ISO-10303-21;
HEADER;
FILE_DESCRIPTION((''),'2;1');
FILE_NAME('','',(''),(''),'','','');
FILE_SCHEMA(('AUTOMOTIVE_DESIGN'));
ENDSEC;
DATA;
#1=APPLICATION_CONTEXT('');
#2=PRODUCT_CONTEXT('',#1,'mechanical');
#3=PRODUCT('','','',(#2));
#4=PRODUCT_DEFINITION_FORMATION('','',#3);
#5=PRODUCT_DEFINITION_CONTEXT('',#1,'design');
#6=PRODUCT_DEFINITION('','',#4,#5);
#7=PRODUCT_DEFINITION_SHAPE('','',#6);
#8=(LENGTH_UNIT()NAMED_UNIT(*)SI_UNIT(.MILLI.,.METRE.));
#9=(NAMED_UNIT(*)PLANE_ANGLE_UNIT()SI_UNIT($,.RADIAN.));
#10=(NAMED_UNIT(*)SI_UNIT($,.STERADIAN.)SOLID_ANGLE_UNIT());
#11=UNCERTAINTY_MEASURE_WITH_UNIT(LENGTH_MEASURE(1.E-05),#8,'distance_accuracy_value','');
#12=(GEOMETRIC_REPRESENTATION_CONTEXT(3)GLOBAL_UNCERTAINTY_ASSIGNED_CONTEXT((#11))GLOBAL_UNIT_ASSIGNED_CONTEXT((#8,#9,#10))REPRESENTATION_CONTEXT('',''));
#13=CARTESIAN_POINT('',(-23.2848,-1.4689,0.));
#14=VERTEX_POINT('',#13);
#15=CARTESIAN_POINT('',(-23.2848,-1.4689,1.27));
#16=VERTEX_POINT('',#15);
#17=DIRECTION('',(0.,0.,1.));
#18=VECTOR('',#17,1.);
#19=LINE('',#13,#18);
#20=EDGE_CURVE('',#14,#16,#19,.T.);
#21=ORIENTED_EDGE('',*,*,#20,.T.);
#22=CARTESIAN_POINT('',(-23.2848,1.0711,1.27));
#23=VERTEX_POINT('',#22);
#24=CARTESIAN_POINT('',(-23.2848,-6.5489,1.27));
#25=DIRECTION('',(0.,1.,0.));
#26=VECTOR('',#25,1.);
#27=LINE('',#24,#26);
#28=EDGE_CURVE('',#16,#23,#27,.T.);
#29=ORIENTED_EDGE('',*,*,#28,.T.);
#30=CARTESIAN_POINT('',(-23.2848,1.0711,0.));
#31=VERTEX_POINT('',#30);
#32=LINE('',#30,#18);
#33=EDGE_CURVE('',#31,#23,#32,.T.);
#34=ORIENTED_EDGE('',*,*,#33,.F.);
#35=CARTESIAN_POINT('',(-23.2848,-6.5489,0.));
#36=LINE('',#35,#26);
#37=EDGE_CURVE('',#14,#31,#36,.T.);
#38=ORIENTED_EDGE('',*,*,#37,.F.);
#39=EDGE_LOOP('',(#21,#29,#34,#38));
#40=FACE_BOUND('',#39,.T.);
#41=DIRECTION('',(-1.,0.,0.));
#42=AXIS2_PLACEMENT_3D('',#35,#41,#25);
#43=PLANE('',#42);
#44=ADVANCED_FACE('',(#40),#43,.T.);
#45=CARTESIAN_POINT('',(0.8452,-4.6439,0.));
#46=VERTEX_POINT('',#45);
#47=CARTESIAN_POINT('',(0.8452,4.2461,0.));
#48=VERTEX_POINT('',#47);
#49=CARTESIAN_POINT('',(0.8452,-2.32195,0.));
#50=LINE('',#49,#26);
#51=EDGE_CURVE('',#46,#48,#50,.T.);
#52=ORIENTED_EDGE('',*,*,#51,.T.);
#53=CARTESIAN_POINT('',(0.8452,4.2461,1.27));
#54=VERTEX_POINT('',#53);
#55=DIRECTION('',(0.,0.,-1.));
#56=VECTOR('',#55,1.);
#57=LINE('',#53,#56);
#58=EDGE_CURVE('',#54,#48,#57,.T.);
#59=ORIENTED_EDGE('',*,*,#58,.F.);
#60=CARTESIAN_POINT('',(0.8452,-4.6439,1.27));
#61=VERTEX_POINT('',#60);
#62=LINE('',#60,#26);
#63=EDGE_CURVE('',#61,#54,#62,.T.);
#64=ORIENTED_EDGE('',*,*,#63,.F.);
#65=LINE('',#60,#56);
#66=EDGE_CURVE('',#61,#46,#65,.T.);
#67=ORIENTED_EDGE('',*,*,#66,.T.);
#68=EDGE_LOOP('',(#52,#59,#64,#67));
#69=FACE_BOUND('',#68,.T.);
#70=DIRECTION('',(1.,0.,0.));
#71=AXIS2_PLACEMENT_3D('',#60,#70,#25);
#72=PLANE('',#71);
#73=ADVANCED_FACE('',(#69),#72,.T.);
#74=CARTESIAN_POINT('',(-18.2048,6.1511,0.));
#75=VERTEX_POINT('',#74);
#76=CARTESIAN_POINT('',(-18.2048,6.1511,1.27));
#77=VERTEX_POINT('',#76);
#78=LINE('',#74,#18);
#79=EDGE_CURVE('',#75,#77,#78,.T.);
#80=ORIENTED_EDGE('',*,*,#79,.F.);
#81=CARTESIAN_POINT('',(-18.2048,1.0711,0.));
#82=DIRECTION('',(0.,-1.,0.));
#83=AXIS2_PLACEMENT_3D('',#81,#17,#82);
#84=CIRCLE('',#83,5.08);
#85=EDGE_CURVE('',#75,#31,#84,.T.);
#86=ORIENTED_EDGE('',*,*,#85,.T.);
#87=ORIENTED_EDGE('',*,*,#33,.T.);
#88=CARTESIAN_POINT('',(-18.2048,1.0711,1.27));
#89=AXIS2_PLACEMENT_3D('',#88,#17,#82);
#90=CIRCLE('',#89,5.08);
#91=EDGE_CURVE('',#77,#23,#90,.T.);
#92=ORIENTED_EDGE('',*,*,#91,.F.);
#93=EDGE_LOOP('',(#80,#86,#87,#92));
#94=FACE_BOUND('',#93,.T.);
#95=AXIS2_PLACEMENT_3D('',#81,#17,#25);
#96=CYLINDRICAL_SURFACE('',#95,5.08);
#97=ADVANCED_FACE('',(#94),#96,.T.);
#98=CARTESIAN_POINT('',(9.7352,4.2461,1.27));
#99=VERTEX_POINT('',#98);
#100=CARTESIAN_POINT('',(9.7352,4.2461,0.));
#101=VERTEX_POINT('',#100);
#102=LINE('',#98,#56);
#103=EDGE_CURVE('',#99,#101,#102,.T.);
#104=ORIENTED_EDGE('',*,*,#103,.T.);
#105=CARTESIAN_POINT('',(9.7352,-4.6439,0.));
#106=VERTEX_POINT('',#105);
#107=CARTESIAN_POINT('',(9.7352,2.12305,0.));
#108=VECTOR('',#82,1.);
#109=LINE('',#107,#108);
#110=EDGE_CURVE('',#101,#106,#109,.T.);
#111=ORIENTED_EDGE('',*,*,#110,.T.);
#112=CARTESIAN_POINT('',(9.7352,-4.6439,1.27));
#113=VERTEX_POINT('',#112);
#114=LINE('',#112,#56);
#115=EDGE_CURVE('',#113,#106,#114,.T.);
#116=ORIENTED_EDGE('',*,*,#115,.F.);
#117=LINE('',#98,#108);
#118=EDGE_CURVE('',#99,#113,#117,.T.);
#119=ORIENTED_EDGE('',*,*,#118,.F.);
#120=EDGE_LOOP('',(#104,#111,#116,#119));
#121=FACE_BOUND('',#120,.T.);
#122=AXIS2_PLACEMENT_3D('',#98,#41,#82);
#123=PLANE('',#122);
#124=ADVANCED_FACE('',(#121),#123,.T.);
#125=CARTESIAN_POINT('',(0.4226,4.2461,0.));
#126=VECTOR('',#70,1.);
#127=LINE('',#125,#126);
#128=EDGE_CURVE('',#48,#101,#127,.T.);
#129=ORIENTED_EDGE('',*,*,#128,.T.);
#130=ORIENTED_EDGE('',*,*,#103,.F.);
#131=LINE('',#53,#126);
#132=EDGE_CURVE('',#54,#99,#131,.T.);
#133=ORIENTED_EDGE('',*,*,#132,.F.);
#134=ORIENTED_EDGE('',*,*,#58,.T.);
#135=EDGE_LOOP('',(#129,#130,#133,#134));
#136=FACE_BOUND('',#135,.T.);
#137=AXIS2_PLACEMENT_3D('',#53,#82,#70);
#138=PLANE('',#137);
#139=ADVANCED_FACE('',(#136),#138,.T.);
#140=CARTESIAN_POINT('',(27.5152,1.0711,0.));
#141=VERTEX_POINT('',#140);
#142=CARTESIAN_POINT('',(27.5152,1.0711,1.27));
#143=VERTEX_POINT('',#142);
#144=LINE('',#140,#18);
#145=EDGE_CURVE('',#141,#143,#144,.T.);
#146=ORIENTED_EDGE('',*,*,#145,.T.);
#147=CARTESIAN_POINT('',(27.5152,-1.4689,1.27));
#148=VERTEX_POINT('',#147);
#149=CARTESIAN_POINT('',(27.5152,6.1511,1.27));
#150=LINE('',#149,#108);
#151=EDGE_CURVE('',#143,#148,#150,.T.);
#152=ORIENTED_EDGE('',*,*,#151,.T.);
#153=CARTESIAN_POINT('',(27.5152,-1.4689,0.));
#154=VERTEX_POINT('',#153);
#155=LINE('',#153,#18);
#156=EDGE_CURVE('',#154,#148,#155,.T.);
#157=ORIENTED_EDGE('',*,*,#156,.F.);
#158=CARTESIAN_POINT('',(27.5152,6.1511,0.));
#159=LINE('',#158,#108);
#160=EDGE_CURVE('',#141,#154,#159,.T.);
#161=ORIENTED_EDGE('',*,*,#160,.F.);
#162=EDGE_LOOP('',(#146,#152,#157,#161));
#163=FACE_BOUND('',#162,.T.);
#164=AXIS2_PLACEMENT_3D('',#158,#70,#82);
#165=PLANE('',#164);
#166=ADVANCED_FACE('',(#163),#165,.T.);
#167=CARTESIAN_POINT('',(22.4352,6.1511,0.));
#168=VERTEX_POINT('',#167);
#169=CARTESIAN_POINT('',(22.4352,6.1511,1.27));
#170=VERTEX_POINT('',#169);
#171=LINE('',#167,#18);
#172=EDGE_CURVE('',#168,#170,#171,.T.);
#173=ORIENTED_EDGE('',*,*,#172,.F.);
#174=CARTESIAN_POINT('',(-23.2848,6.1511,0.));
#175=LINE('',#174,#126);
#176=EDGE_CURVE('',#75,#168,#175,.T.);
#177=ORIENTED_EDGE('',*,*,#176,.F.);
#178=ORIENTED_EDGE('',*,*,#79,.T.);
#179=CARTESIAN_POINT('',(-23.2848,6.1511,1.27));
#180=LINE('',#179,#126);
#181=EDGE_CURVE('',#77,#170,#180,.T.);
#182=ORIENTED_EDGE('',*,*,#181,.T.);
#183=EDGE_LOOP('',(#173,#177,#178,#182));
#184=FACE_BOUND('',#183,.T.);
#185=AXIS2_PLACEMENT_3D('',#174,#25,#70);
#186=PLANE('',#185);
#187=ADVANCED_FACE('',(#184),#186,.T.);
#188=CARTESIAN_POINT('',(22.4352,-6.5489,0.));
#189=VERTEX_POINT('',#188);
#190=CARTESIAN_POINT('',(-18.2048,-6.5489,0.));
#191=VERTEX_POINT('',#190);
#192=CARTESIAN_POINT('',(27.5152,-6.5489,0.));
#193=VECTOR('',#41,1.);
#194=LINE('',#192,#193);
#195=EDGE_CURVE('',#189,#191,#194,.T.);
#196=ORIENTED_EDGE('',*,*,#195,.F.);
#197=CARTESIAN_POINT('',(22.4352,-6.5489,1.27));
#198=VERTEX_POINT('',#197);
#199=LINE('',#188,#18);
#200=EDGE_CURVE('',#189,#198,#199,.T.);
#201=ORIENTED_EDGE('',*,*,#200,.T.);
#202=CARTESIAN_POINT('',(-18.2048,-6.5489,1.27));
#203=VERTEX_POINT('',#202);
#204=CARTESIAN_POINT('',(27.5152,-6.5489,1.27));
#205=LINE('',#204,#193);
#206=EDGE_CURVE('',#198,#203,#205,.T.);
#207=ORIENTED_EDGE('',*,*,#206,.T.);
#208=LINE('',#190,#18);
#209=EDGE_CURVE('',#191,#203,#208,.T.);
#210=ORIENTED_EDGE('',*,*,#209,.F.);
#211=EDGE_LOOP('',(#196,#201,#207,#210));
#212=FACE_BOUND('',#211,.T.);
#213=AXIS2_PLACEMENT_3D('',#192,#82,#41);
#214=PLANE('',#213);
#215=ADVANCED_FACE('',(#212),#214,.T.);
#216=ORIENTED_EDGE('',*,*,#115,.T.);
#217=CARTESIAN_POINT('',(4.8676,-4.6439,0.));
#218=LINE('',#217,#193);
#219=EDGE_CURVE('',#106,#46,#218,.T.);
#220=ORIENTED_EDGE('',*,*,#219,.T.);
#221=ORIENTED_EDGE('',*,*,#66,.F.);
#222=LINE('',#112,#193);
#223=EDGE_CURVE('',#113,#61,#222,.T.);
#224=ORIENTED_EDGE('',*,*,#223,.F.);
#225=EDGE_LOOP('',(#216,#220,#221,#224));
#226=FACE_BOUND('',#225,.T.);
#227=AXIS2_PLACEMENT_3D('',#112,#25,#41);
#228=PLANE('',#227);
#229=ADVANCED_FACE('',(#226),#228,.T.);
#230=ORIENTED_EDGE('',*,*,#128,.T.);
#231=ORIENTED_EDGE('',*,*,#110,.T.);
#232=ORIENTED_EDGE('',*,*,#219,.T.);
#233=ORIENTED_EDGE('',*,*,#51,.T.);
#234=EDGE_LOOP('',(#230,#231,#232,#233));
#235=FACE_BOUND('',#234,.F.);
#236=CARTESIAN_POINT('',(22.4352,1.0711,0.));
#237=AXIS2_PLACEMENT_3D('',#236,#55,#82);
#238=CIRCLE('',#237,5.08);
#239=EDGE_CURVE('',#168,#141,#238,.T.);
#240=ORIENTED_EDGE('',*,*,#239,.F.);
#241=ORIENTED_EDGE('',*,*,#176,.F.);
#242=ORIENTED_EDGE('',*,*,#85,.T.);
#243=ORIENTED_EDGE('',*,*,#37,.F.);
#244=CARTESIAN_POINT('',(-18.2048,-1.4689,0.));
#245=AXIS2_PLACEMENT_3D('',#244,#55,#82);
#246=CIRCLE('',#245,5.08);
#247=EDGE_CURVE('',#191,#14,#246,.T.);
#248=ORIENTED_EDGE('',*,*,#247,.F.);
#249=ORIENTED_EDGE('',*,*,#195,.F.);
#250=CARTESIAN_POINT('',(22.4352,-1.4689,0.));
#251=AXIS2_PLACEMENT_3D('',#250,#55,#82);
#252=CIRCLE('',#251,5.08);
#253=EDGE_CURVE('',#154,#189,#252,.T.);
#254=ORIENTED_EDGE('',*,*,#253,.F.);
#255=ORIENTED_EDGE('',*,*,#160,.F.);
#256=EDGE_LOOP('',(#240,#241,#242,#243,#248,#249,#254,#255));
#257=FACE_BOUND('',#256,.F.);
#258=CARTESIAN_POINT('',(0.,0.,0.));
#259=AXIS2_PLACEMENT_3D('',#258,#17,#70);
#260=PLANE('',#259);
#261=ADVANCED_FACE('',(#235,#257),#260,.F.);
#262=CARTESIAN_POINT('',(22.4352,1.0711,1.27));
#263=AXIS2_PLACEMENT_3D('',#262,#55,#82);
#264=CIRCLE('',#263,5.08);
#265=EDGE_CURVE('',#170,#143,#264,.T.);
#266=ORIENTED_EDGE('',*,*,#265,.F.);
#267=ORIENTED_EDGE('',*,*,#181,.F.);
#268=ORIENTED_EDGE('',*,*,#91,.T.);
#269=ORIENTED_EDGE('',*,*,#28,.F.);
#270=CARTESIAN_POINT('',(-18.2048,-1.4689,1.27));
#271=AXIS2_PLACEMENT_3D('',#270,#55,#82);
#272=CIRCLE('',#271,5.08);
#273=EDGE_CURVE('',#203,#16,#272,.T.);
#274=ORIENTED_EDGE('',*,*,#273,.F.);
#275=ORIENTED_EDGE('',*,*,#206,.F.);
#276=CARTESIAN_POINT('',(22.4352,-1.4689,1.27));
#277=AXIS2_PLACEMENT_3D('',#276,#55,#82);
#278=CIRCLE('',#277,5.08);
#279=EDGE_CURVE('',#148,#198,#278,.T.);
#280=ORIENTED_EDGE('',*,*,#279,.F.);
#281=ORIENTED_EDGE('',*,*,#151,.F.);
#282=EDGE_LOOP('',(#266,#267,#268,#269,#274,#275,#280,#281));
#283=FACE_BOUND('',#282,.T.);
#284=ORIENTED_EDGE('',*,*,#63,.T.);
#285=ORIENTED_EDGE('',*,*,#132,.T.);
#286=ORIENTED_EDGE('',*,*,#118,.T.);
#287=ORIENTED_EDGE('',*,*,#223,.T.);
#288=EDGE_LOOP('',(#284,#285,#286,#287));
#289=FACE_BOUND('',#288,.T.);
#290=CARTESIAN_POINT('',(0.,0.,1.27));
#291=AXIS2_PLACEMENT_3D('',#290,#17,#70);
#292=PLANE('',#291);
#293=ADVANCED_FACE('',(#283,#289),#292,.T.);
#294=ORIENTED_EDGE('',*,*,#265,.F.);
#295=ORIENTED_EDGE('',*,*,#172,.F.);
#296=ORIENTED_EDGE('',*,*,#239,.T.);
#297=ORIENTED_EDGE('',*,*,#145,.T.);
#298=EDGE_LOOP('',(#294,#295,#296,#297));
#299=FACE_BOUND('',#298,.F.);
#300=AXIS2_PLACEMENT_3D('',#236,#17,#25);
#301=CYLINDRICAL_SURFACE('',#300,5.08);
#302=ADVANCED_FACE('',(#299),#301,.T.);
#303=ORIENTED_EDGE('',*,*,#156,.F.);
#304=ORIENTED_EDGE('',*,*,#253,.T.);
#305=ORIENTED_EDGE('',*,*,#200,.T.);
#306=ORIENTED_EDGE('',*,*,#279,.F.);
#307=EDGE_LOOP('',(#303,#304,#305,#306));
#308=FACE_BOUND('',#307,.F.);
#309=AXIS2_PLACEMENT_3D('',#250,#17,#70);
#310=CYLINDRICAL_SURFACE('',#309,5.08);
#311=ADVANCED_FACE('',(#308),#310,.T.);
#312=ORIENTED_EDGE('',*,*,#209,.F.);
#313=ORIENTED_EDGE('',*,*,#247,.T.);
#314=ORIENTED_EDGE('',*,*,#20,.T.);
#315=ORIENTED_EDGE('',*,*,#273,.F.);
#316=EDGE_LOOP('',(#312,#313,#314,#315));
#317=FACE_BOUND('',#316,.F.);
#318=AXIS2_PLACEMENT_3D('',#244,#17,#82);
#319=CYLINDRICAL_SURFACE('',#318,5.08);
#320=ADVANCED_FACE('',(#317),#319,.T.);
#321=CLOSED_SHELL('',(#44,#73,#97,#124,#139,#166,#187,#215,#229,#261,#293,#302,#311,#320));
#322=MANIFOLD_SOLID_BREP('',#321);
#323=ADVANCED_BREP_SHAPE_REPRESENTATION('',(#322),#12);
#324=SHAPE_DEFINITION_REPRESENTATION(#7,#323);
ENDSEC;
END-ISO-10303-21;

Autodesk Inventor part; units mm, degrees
ref_plane "YZ Plane" through (0, 0, 0) normal (1, 0, 0) x (0, 1, 0)
ref_plane "XZ Plane" through (0, 0, 0) normal (0, 1, 0) x (-1, 0, 0)
ref_plane "XY Plane" through (0, 0, 0) normal (0, 0, 1) x (1, 0, 0)
sketch "Sketch1" plane through (0, 0, 0) normal (0, 0, 1) x (1, 0, 0)
  line L0 (-23.2848, 6.1511) -> (27.5152, 6.1511)
  line L1 (27.5152, 6.1511) -> (27.5152, -6.5489)
  line L2 (27.5152, -6.5489) -> (-23.2848, -6.5489)
  line L3 (-23.2848, -6.5489) -> (-23.2848, 6.1511)
  dimension "d0" = 50.8
  dimension "d1" = 12.7
extrude "Extrusion1" add sketch "Sketch1" along normal blind 1.27
fillet "Fillet1" radius 5.08 4 edges at (-23.2848, 6.1511, 0.635) (27.5152, 6.1511, 0.635) (27.5152, -6.5489, 0.635) (-23.2848, -6.5489, 0.635)
sketch "Sketch2" plane through (0, 0, 1.27) normal (0, 0, 1) x (1, 0, 0)
  line L0 (0.8452, 4.2461) -> (9.7352, 4.2461)
  line L1 (9.7352, 4.2461) -> (9.7352, -4.6439)
  line L2 (9.7352, -4.6439) -> (0.8452, -4.6439)
  line L3 (0.8452, -4.6439) -> (0.8452, 4.2461)
  point P0 (22.4352, -6.5489)
  point P1 (27.5152, -1.4689)
  dimension "d5" = 8.89
  dimension "d6" = 17.78
  dimension "d7" = 1.905
  dimension "d8" = 8.89
extrude "Extrusion2" cut sketch "Sketch2" against normal through all
properties part number "tongue"
